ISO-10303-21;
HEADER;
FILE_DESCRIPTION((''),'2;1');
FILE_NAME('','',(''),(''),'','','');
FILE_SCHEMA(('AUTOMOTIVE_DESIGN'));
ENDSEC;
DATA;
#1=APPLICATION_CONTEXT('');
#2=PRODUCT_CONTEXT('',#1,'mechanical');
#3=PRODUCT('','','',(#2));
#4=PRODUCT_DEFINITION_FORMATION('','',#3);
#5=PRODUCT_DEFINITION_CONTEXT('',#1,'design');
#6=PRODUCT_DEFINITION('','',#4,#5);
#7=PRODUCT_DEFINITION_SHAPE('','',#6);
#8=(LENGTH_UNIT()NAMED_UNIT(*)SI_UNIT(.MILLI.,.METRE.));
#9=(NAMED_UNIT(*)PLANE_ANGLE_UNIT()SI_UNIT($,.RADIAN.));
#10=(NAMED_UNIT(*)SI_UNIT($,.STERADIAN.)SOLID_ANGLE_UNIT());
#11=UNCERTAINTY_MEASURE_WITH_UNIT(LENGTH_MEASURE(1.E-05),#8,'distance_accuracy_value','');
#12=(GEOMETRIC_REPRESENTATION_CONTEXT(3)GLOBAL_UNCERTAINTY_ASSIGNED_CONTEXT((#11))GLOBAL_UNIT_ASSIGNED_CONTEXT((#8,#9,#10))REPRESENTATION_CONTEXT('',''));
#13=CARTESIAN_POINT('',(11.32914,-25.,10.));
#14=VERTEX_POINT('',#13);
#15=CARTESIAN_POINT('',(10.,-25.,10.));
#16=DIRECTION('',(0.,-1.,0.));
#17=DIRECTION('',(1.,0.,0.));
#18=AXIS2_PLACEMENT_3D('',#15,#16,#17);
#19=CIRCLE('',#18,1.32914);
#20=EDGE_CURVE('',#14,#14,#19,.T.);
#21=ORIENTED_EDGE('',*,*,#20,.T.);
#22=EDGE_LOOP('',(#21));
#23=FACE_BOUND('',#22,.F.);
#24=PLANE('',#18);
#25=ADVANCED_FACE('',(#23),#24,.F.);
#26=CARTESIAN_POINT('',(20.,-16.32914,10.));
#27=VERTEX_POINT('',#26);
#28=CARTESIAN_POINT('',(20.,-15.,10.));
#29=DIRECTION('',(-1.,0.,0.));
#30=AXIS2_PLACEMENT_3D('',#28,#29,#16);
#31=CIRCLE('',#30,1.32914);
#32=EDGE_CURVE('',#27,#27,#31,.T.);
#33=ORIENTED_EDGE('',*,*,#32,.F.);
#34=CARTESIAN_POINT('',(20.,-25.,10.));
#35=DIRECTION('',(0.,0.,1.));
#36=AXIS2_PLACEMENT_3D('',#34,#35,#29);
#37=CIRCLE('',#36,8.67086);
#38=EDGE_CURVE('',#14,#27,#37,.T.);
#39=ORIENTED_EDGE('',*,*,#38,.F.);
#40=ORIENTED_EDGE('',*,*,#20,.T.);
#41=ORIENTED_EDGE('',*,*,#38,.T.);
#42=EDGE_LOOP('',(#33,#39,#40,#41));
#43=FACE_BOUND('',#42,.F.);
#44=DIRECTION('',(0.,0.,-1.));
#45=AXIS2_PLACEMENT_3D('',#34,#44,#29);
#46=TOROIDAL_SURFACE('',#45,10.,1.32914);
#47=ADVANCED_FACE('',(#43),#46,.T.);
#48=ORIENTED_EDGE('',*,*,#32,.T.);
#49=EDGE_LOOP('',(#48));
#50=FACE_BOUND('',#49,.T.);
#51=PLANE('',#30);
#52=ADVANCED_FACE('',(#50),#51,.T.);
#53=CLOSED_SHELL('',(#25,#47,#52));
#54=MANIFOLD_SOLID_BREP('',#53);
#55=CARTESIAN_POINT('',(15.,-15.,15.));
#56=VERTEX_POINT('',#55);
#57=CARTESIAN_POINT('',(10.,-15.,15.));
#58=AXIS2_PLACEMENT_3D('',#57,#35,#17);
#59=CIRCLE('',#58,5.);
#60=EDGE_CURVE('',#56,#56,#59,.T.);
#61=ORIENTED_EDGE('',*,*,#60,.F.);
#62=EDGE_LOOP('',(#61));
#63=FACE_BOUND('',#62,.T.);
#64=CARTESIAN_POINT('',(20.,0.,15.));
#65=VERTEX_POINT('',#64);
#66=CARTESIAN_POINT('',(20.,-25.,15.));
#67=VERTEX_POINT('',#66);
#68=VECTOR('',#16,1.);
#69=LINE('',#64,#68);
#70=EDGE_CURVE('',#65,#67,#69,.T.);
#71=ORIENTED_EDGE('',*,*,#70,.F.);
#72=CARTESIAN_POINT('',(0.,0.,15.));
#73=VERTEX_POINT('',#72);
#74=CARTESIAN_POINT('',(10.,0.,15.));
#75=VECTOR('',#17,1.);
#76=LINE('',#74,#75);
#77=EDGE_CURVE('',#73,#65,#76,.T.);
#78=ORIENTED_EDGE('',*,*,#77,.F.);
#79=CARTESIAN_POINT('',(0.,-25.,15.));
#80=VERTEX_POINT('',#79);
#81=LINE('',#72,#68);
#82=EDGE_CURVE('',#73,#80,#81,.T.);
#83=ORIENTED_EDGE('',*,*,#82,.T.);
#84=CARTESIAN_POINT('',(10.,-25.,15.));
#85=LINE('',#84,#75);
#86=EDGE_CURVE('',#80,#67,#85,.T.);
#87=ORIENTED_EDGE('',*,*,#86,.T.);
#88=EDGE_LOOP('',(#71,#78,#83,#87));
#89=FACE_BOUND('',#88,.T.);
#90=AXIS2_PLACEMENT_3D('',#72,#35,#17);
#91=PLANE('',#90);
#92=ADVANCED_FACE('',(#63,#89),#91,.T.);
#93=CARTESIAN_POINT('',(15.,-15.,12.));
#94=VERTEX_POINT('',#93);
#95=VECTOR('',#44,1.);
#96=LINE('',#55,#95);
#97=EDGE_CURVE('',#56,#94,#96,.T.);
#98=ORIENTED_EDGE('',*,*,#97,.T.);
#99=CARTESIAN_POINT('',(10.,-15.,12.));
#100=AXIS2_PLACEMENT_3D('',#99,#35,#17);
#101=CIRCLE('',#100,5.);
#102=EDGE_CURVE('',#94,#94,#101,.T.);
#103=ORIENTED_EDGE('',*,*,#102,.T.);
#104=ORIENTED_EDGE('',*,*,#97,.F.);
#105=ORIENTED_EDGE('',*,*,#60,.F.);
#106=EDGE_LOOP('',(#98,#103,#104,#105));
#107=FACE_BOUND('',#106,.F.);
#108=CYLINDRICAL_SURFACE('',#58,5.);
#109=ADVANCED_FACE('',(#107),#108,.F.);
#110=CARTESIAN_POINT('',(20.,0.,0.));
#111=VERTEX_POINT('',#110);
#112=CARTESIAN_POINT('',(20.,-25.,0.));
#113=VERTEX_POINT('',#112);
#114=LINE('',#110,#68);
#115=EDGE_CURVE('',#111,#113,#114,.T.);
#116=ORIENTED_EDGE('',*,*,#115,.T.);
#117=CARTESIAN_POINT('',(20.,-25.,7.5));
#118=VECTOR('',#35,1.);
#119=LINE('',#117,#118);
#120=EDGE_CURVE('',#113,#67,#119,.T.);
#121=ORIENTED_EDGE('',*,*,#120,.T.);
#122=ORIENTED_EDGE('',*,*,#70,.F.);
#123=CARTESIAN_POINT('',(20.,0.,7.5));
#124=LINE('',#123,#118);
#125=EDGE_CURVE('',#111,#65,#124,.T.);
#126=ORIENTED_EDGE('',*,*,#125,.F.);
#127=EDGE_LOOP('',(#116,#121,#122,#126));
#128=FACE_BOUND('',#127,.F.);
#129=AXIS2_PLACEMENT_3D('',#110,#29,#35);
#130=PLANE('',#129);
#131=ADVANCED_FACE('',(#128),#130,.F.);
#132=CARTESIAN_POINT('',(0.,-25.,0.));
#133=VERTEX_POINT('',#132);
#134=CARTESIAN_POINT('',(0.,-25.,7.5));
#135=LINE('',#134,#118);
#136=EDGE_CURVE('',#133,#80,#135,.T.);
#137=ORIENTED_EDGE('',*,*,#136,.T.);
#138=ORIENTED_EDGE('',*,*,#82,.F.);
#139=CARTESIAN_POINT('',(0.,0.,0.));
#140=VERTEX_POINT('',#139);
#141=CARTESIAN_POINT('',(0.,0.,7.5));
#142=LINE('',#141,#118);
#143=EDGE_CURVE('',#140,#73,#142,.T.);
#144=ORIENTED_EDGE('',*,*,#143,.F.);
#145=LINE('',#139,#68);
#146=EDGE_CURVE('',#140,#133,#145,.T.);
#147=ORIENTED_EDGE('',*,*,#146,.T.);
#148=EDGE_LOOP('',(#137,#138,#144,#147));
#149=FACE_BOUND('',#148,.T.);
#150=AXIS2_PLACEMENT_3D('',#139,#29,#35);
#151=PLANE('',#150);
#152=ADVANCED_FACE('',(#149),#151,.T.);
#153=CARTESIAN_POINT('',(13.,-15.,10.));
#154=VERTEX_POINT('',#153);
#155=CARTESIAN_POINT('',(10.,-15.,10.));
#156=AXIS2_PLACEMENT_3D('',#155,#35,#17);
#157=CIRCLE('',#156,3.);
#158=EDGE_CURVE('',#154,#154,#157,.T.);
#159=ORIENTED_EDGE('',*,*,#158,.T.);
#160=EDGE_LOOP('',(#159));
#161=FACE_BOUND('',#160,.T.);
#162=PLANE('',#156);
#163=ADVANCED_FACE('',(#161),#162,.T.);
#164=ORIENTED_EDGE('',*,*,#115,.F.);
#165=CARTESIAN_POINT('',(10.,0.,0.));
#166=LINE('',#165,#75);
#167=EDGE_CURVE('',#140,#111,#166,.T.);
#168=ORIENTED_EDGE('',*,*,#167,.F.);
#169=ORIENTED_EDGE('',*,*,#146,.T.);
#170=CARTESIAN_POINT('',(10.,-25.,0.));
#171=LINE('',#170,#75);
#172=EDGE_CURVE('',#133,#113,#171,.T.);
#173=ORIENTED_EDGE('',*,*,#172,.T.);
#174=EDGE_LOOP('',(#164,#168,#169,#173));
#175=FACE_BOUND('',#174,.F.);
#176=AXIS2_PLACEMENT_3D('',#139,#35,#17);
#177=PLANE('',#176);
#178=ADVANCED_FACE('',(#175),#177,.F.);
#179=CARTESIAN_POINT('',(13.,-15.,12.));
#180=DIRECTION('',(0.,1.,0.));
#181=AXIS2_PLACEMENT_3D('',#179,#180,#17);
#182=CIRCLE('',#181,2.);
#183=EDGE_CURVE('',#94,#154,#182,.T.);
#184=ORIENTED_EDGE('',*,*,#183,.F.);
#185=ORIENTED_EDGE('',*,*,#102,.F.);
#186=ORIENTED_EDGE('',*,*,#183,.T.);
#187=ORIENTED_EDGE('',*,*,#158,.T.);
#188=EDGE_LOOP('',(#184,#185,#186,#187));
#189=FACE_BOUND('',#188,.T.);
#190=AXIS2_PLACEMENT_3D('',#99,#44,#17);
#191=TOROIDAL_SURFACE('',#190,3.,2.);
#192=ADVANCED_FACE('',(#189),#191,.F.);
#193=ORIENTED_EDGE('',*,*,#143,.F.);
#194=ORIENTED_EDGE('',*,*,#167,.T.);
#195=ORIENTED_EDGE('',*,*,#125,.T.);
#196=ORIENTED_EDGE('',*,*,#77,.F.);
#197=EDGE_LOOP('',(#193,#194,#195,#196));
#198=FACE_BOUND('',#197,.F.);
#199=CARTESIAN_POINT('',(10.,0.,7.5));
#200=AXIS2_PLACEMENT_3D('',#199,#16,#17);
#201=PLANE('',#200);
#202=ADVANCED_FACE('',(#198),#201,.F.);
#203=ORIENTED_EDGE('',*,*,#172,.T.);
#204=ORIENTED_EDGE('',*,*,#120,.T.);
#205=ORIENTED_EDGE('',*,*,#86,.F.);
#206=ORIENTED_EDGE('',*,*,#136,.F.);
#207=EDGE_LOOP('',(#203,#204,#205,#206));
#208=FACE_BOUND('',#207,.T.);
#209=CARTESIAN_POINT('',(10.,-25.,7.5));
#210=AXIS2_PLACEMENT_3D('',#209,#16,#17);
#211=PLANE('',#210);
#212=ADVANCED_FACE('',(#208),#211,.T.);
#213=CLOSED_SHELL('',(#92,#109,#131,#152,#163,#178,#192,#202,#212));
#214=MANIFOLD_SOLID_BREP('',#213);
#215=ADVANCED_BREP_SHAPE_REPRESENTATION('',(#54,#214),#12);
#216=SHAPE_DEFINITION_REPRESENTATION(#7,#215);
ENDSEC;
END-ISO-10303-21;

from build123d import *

# Parameters (mm, degrees)
F0_W     = 20
F0_H     = 15
F1_DEPTH = 25
F2_R     = 5
F3_DEPTH = 5
F4_R     = 2
F5_R     = 1.3291403614
F6_ANGLE = 270


with BuildPart() as f1:
    # F0 (on Front) → F1 (new body)
    with BuildSketch(Plane.XZ):
        with Locations((10, 7.5)):
            Rectangle(F0_W, F0_H)
    extrude(amount=F1_DEPTH)

    # F2 (on face) → F3 (cut)
    with BuildSketch(Plane.XY.offset(15)):
        with Locations((10, -15)):
            Circle(F2_R)
    extrude(amount=-F3_DEPTH, mode=Mode.SUBTRACT)

    # F4
    f4_edges = [f1.edges().sort_by_distance(p)[0] for p in [
        (5, -15, 10),
    ]]
    fillet(f4_edges, radius=F4_R)


with BuildPart() as f6:
    # F5 (on face) → F6 (revolve)
    with BuildSketch(Plane.XZ.offset(25)):
        with Locations((10, 10)):
            Circle(F5_R)
    revolve(axis=Axis((20, -25, 7.5), (0, 0, 1)), revolution_arc=F6_ANGLE)


solid = Compound([f1.part, f6.part])
